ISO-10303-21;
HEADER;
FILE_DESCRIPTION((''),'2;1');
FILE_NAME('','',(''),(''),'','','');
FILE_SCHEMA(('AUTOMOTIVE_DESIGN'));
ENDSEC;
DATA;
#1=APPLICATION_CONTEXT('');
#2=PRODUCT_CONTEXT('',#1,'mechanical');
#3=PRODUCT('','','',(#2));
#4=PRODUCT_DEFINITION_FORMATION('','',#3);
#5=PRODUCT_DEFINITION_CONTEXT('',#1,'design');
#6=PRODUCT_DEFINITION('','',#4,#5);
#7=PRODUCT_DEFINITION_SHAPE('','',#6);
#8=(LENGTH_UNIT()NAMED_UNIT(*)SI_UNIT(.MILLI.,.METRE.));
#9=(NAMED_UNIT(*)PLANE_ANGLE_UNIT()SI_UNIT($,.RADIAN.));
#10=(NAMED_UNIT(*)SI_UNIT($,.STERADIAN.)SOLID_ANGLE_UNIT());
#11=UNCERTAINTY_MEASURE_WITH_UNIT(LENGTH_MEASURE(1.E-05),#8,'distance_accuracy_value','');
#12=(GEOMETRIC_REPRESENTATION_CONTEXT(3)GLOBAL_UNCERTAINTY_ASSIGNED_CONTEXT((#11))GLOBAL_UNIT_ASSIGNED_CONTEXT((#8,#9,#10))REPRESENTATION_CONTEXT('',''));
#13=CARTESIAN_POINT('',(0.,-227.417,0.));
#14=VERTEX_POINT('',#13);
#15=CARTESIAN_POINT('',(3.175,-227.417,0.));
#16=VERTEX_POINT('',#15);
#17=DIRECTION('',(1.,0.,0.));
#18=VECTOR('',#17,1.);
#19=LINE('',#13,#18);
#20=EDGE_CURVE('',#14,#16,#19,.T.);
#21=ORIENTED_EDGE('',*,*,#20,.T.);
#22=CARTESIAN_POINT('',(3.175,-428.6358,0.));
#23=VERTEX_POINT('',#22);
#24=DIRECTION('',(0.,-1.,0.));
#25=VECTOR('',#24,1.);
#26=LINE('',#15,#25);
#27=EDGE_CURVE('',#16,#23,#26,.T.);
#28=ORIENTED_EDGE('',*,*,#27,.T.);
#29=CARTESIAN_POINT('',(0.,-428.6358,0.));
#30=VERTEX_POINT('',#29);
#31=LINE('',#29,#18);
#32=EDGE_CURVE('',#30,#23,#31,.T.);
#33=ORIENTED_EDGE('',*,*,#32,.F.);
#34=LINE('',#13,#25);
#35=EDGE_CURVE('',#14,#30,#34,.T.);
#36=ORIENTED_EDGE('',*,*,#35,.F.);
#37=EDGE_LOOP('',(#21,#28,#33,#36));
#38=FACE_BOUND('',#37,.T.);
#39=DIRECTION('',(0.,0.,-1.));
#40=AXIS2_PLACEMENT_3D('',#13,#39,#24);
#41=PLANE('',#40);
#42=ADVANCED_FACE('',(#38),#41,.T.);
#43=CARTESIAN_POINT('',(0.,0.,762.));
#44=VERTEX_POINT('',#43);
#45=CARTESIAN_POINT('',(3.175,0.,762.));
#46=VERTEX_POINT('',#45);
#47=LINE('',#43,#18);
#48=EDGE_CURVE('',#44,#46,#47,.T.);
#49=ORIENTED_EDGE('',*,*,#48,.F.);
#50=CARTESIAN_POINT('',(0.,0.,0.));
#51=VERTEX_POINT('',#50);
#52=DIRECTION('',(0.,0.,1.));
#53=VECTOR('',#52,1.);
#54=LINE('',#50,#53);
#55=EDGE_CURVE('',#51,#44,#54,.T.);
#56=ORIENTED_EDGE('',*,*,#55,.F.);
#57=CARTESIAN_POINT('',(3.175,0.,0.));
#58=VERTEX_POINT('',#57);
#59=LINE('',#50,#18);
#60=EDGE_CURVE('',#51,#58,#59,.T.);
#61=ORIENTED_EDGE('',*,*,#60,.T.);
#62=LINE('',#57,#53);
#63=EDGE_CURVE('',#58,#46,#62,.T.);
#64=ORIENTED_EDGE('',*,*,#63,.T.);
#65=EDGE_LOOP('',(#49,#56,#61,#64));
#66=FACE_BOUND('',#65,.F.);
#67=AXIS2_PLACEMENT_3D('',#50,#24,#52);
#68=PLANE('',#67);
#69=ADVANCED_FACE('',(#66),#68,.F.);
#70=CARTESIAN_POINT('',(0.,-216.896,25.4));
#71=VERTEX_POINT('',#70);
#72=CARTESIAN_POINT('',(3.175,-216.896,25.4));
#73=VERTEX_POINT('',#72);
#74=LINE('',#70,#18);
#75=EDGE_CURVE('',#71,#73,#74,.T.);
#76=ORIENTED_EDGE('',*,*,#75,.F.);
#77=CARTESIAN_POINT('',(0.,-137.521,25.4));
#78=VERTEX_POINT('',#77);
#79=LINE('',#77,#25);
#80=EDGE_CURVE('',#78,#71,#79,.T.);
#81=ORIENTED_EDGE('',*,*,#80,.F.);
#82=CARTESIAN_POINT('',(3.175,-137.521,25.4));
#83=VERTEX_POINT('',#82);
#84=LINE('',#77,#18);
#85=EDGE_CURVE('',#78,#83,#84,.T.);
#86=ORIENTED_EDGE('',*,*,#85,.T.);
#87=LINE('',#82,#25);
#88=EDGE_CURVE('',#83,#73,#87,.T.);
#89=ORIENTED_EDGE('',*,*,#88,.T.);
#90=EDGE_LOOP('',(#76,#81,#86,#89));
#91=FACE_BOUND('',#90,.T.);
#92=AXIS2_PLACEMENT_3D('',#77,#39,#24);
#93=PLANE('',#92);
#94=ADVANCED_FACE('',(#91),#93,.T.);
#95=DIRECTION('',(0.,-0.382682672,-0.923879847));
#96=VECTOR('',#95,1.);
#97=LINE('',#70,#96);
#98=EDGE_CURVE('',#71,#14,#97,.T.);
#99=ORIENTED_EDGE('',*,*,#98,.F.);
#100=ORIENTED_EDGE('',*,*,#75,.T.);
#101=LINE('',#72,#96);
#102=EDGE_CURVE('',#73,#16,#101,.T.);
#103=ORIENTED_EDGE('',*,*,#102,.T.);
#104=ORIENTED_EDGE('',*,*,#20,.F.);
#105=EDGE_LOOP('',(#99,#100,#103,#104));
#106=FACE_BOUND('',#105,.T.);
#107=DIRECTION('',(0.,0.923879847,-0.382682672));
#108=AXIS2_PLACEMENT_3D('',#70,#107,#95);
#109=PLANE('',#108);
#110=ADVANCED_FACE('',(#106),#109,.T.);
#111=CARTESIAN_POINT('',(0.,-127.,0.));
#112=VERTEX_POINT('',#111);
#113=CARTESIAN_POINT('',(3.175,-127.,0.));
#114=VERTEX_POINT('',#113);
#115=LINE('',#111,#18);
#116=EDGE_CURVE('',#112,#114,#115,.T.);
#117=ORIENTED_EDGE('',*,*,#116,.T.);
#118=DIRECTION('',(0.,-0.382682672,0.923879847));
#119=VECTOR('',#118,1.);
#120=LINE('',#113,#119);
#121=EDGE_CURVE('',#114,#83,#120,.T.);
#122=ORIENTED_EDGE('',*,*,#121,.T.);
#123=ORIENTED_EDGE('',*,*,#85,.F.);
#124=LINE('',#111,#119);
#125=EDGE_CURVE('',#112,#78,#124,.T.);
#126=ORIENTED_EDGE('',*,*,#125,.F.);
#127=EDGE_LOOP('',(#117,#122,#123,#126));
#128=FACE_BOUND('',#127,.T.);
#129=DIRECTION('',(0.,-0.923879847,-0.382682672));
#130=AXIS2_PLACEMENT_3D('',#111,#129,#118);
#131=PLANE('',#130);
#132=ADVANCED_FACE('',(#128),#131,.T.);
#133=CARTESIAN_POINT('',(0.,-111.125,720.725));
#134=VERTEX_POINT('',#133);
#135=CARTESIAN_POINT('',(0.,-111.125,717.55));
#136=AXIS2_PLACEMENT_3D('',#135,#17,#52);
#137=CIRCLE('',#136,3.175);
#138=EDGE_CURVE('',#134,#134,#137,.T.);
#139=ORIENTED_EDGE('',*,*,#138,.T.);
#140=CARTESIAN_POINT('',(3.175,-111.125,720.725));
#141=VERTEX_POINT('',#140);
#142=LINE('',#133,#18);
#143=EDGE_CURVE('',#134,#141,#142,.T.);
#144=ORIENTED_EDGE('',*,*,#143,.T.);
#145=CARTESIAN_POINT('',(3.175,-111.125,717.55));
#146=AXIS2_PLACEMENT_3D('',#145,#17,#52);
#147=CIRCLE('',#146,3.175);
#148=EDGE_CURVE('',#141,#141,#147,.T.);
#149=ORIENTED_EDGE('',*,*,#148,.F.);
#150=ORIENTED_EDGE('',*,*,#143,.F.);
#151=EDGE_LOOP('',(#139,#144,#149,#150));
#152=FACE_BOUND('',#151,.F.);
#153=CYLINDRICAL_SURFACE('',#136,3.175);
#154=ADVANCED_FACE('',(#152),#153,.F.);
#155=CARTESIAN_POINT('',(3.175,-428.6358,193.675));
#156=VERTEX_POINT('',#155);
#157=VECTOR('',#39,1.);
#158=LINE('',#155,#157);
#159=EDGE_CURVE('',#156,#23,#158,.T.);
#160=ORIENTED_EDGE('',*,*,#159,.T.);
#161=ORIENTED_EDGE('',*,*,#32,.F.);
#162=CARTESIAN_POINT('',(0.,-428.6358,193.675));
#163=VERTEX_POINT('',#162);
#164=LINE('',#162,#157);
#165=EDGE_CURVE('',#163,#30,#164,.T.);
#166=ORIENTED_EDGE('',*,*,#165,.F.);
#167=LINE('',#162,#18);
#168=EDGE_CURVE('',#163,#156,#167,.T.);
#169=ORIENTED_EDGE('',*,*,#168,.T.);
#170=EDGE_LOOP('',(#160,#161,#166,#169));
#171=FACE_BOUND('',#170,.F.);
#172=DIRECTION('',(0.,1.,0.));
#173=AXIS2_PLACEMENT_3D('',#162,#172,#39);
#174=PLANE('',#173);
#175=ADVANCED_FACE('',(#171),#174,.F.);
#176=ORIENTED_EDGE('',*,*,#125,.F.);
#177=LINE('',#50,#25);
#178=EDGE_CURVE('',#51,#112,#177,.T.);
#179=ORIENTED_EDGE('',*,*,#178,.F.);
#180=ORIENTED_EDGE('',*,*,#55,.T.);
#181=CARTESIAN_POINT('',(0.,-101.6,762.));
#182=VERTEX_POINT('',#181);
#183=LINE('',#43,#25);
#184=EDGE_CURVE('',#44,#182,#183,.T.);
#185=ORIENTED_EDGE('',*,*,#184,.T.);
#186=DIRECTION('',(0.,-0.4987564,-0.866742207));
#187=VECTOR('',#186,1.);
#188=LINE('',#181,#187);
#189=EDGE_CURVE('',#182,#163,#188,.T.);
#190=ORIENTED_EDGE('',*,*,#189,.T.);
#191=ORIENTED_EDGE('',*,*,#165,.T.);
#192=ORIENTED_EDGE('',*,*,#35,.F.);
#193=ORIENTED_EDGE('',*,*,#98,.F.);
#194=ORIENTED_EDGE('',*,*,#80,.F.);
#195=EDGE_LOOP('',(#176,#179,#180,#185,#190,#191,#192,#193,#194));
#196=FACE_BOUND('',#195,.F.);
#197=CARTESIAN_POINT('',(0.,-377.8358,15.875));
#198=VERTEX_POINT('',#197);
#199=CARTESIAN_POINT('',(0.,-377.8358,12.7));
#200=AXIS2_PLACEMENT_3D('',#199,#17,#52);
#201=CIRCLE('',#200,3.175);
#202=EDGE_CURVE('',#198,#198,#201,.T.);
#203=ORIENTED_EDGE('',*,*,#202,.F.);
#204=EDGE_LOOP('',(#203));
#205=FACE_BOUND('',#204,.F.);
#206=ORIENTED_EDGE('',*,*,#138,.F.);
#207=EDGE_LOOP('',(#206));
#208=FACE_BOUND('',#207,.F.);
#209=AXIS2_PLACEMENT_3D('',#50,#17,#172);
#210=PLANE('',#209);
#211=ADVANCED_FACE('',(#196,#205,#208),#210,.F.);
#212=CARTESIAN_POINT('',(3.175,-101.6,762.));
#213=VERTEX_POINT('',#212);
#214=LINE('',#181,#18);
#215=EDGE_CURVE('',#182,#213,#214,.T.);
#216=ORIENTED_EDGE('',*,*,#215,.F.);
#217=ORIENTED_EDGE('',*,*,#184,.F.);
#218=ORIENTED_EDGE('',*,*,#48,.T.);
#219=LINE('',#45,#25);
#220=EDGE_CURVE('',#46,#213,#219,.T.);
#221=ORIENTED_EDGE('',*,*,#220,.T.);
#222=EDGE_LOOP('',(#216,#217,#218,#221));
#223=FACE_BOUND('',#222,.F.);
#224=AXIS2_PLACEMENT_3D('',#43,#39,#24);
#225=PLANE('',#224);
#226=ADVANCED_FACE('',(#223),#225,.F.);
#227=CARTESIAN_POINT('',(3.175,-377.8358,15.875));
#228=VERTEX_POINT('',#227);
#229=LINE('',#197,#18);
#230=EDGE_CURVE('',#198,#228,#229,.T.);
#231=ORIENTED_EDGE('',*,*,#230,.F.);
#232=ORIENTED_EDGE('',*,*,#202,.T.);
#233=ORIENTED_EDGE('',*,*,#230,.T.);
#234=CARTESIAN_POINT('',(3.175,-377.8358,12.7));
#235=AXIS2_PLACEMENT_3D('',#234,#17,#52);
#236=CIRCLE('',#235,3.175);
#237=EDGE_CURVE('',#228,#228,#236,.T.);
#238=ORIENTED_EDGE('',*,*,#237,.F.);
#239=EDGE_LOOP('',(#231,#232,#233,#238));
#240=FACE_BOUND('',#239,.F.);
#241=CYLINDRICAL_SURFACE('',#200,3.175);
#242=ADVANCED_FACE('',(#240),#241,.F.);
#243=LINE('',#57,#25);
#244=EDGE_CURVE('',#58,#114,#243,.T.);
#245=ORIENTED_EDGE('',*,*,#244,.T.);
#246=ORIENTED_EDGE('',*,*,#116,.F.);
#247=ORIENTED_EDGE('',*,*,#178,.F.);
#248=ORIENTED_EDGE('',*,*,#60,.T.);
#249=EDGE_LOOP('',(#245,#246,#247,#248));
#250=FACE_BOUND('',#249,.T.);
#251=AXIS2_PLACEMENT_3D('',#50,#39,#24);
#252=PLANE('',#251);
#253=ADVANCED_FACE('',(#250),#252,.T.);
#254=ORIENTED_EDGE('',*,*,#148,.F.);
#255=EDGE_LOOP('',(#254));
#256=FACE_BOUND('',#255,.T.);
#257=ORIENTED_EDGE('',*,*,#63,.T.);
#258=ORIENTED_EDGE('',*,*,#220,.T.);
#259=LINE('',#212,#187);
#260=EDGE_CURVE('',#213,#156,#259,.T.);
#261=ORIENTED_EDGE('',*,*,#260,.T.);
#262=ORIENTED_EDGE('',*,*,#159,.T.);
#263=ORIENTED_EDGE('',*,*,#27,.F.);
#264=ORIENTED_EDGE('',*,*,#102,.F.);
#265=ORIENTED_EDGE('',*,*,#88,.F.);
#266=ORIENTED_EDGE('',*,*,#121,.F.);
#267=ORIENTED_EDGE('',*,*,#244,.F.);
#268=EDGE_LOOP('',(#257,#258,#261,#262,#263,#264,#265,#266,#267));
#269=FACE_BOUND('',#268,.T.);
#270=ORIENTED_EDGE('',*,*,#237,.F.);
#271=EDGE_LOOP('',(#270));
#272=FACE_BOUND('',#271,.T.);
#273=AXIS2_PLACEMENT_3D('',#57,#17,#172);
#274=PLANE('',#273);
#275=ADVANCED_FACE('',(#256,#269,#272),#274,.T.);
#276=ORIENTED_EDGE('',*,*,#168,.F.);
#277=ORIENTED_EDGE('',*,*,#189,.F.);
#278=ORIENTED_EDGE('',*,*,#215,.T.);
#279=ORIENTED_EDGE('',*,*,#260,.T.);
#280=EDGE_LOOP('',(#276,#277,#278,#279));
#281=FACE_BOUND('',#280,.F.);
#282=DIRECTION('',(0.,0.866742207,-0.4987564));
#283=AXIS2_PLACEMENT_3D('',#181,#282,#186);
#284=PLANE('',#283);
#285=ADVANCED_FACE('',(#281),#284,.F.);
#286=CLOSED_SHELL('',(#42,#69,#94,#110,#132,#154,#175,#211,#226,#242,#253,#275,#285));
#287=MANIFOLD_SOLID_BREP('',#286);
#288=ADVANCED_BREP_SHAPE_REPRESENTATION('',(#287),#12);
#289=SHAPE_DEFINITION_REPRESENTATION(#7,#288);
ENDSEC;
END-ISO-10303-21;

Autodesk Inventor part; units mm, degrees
ref_plane "YZ Plane" through (0, 0, 0) normal (1, 0, 0) x (0, 1, 0)
ref_plane "XZ Plane" through (0, 0, 0) normal (0, 1, 0) x (-1, 0, 0)
ref_plane "XY Plane" through (0, 0, 0) normal (0, 0, 1) x (1, 0, 0)
sketch "Sketch1" plane through (0, 0, 0) normal (1, 0, 0) x (0, 1, 0)
  line L0 (0, 0) -> (-127, 0)
  line L1 (0, 0) -> (127, 0) construction
  line L2 (-227.417, 0) -> (-428.6358, 0)
  line L3 (0, 0) -> (0, 762)
  line L4 (0, 0) -> (762, 0) construction
  line L5 (0, 762) -> (-101.6, 762)
  line L6 (-101.6, 762) -> (-428.6358, 193.675)
  line L7 (-428.6358, 193.675) -> (-428.6358, 0)
  line L8 (-127, 0) -> (-137.521, 25.4)
  line L9 (-127, 0) -> (-99.5072, 0) construction
  line L10 (-137.521, 25.4) -> (-216.896, 25.4)
  line L11 (-216.896, 25.4) -> (-227.417, 0)
  dimension "d0" = 127
  dimension "d1" = 180
  dimension "d8" = 201.2188
  dimension "d10" = 762
  dimension "d11" = 90
  dimension "d13" = 90
  dimension "d14" = 90
  dimension "d18" = 112.5
  dimension "d19" = 79.375
  dimension "d20" = 112.5
  dimension "d21" = 112.5
  dimension "d22" = 25.4
  dimension "d23" = 0
  dimension "d35" = 101.6
  dimension "d36" = 193.675
extrude "Extrusion1" add sketch "Sketch1" along normal blind 3.175
sketch "Sketch2" plane through (0, 0, 0) normal (-1, 0, 0) x (0, 0, 1)
  line L0 (0, 0) -> (0, -127) projected
  line L1 (0, -127) -> (25.4, -137.521) projected
  line L2 (25.4, -137.521) -> (25.4, -216.896) projected
  line L3 (25.4, -216.896) -> (0, -227.417) projected
  line L4 (0, -227.417) -> (0, -428.6358) projected
  line L5 (0, -428.6358) -> (193.675, -428.6358) projected
  line L6 (193.675, -428.6358) -> (762, -101.6) projected
  line L7 (762, -101.6) -> (762, 0) projected
  line L8 (762, 0) -> (0, 0) projected
  point P0 (12.7, -377.8358)
  point P1 (717.55, -111.125)
  dimension "d24" = 111.125
  dimension "d25" = 44.45
  dimension "d26" = 50.8
  dimension "d27" = 12.7
hole "Hole1" at (0, -377.8358, 12.7) at (0, -111.125, 717.55) direction (1, 0, 0) diameter 6.35 end through all
properties part number "side panel" material "Polycarbonate, Clear"
